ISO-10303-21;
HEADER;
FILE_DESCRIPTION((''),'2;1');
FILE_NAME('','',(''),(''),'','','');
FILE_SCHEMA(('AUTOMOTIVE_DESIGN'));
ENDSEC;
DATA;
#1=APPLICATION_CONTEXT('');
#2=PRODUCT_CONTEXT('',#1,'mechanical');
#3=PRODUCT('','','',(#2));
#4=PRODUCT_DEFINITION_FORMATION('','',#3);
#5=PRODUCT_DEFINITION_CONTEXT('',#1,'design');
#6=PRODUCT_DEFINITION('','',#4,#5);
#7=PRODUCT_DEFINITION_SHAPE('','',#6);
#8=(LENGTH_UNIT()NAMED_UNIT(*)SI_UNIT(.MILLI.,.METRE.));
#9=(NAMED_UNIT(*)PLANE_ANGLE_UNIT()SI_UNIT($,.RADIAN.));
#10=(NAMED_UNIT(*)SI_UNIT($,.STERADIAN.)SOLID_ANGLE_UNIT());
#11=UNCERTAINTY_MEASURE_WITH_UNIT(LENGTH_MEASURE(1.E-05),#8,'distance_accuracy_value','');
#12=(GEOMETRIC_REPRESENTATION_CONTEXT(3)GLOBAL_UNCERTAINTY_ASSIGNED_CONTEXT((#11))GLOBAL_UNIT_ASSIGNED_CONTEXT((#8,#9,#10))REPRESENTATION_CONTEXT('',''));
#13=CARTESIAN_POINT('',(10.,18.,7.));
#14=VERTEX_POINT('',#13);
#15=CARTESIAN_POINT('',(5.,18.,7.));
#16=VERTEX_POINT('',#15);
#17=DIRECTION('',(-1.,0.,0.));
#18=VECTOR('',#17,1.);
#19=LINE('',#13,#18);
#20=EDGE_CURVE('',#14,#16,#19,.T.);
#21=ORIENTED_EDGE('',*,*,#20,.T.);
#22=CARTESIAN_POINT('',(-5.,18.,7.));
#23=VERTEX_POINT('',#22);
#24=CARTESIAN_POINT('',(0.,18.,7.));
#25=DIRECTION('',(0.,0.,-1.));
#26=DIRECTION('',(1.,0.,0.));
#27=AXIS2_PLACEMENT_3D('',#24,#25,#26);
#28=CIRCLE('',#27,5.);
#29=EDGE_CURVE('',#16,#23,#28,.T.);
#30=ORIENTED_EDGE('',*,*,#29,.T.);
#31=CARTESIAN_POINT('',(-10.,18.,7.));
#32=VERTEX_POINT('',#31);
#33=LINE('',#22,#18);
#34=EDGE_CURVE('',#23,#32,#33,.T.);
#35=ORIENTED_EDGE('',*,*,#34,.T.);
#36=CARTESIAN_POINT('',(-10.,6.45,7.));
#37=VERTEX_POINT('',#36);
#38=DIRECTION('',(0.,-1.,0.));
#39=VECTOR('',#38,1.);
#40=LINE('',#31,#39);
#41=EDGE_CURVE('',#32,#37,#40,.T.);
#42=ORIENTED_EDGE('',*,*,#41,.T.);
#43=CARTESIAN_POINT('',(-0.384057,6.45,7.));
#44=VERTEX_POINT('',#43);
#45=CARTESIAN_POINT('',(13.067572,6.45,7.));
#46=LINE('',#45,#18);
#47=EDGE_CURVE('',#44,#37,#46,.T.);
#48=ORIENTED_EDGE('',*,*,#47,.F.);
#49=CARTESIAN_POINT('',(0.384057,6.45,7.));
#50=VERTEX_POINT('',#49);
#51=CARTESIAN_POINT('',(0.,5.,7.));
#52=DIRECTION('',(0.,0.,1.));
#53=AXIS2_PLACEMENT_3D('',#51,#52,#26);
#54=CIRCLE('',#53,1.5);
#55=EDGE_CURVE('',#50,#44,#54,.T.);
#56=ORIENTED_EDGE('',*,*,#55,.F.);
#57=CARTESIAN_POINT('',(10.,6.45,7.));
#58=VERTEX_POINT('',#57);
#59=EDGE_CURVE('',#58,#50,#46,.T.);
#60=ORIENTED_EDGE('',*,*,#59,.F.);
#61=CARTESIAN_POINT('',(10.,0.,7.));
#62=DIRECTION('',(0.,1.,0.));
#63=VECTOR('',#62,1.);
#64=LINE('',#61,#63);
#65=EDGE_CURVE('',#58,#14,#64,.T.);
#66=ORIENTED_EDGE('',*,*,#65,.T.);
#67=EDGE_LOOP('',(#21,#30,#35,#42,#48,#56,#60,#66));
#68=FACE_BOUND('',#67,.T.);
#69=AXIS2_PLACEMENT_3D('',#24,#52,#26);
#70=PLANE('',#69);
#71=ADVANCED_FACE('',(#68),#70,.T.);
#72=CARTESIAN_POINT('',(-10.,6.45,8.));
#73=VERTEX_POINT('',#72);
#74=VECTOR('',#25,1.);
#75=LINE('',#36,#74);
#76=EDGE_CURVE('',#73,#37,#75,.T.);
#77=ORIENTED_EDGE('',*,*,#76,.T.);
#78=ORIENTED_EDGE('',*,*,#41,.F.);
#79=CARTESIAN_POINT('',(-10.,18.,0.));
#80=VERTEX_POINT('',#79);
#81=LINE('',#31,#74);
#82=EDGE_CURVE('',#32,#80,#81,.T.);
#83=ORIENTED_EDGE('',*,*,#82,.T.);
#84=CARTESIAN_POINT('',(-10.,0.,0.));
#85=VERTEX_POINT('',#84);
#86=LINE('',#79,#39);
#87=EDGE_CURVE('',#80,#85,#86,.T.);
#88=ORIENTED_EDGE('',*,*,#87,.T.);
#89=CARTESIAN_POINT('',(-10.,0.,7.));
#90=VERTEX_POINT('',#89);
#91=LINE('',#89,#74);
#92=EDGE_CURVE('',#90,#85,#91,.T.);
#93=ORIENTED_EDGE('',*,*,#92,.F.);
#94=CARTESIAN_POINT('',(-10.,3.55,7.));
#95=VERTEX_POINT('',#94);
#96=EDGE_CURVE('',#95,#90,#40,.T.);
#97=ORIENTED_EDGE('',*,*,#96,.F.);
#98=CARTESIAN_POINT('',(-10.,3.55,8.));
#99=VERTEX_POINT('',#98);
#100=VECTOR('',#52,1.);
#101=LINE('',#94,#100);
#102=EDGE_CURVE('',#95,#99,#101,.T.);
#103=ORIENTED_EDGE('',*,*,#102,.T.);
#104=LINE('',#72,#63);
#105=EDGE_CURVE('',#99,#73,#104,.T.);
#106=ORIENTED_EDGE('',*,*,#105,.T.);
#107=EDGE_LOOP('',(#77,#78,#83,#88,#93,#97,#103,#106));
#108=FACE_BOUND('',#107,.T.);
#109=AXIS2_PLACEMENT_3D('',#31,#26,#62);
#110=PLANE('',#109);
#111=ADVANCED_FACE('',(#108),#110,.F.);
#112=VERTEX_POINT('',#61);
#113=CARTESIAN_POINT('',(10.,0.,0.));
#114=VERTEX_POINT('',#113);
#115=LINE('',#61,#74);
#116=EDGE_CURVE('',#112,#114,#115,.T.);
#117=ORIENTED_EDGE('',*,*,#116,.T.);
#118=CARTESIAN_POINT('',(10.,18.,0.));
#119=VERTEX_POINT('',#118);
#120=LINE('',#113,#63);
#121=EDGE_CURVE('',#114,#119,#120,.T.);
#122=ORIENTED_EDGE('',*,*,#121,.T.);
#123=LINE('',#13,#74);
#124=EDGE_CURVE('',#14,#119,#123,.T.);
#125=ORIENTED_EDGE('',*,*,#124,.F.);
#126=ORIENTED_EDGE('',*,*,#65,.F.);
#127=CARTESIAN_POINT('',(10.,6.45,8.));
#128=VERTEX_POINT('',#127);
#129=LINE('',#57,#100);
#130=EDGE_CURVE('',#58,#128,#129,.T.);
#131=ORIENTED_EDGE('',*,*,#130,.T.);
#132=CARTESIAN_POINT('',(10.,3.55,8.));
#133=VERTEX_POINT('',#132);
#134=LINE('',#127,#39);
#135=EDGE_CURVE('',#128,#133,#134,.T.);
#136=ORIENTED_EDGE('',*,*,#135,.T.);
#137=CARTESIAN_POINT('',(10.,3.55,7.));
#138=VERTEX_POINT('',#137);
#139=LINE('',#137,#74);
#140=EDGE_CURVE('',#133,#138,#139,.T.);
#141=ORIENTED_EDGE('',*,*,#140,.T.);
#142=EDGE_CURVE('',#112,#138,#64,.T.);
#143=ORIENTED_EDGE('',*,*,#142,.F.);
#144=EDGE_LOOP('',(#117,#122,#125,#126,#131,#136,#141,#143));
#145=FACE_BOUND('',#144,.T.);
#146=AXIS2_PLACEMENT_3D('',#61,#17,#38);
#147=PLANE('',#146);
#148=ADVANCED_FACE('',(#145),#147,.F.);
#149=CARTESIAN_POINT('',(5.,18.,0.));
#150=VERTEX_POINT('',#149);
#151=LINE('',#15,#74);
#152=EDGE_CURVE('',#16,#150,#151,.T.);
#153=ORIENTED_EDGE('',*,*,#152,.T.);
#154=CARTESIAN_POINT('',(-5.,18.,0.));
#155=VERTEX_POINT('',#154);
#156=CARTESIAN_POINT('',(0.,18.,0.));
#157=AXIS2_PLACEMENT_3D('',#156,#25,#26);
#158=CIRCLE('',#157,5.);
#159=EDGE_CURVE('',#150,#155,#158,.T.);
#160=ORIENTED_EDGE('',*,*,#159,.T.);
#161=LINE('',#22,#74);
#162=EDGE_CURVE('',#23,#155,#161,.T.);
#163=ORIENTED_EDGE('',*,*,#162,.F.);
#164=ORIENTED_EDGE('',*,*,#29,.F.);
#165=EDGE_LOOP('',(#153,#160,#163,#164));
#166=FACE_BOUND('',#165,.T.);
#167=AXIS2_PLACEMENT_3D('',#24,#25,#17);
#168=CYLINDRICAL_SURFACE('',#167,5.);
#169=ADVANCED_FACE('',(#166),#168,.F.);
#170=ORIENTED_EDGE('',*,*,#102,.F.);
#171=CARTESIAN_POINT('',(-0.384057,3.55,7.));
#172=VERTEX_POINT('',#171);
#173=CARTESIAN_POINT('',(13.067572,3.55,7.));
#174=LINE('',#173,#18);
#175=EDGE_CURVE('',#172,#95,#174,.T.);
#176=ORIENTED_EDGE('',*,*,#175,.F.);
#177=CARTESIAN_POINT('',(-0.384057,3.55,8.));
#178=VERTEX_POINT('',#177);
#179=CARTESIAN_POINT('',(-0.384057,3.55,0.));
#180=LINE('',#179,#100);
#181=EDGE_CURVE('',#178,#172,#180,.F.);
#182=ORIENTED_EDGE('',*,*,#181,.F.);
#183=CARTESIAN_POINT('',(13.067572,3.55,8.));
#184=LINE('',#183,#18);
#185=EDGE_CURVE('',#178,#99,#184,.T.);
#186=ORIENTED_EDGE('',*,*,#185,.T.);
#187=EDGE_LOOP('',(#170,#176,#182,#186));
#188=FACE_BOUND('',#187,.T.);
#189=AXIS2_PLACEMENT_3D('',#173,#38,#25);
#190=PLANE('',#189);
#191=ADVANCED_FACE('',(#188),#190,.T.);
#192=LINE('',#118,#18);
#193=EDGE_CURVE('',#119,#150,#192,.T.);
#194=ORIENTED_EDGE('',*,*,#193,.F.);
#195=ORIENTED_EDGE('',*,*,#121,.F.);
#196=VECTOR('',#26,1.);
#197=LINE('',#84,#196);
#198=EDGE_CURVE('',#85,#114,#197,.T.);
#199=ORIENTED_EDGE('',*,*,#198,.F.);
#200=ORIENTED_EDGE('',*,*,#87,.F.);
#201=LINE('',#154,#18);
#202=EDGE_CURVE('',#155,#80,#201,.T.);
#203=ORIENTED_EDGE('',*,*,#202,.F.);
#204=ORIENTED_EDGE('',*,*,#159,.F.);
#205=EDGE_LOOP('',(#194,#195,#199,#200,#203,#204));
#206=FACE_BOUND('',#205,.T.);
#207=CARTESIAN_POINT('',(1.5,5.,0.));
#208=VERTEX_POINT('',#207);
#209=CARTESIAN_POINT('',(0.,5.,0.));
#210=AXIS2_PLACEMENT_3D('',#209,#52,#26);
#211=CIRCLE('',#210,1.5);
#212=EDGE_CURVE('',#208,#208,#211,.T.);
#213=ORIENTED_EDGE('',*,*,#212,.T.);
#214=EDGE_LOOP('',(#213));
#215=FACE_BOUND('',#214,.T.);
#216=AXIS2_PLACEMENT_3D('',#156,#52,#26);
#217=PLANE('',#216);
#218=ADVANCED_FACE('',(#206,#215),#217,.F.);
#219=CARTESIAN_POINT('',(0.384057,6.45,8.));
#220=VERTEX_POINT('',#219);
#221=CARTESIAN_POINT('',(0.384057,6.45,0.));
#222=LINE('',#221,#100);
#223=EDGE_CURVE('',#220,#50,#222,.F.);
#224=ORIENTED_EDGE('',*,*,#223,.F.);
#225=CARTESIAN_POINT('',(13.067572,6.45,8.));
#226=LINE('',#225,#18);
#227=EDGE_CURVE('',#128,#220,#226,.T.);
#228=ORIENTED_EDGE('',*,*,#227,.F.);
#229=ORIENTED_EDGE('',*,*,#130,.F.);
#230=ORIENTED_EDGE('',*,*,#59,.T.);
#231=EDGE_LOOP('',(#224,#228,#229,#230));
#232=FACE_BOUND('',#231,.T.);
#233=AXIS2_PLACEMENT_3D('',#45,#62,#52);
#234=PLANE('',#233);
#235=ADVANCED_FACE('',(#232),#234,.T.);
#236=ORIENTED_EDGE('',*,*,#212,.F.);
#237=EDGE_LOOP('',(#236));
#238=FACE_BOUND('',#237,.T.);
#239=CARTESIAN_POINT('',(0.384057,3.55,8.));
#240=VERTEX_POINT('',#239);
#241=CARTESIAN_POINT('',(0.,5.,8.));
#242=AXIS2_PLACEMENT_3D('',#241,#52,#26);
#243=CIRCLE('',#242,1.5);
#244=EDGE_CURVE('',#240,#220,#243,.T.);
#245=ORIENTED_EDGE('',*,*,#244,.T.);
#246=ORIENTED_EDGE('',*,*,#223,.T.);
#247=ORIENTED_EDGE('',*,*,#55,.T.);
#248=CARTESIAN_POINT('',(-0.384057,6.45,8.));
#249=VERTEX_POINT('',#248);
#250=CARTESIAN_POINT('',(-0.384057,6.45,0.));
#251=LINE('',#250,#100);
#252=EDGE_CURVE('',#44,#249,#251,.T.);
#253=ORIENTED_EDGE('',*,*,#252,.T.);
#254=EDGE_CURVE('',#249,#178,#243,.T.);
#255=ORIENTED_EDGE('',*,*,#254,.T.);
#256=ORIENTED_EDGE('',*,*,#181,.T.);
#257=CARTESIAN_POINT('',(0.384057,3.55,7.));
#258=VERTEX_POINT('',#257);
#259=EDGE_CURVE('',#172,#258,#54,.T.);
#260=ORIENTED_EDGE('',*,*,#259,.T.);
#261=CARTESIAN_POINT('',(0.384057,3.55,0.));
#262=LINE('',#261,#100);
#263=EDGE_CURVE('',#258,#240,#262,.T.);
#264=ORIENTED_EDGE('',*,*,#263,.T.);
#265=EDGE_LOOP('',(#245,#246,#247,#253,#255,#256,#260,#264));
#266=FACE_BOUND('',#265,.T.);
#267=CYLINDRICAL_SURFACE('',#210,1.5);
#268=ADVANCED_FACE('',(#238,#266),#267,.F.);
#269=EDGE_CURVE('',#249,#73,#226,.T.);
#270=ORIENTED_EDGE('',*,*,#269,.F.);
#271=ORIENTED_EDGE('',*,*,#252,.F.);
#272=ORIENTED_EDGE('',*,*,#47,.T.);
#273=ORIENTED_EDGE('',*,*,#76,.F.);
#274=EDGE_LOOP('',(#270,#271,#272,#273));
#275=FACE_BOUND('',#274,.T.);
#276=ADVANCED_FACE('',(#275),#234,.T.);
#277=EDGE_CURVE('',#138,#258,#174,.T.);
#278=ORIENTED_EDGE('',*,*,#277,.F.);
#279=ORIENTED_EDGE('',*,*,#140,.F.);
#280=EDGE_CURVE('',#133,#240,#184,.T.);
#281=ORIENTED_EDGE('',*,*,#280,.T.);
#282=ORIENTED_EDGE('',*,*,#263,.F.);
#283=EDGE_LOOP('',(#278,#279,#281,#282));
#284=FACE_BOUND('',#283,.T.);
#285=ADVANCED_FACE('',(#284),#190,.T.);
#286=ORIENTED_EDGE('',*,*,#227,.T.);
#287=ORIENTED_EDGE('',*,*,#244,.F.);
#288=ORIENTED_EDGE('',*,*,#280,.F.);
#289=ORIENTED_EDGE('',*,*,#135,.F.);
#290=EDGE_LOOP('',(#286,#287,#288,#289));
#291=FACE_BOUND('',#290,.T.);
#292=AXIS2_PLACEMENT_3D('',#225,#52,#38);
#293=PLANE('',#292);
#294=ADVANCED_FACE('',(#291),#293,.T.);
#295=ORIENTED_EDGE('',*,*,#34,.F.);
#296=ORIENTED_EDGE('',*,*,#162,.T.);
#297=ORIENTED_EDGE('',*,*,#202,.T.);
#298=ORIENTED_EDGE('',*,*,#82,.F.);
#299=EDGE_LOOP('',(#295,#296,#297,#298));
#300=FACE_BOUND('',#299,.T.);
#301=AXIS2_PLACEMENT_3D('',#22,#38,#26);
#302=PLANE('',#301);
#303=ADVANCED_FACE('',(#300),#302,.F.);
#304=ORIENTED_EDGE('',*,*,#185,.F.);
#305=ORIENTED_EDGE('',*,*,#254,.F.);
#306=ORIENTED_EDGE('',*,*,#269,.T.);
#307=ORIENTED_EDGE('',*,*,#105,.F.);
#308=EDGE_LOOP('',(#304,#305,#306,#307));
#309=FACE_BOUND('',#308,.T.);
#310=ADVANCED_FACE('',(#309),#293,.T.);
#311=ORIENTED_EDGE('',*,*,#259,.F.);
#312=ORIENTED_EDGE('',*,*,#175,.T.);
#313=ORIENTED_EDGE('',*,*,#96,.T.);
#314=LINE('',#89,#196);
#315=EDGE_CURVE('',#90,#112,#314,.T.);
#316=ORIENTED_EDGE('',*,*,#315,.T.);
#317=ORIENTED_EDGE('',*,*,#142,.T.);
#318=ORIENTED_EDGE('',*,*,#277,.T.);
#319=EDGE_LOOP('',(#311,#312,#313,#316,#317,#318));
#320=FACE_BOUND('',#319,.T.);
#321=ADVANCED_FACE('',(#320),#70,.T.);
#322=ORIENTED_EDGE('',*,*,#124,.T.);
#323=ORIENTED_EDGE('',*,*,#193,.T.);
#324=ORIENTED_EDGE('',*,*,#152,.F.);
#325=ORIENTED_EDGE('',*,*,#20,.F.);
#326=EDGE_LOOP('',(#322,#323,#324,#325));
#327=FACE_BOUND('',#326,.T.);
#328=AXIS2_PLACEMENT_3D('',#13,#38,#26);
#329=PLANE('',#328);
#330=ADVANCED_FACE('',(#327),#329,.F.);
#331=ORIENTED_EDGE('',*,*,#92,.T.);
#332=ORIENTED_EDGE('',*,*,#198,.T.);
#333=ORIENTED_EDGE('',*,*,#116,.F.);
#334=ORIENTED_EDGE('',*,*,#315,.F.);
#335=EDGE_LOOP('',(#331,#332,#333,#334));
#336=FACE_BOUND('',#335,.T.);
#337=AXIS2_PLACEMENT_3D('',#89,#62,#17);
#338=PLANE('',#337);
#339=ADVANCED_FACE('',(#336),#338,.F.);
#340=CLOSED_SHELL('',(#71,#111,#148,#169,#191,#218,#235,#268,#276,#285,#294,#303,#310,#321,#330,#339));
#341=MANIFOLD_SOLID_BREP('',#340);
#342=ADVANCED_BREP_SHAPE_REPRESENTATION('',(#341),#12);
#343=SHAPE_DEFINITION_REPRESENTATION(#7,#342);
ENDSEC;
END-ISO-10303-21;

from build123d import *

# Parameters (mm, degrees)
BOSS_EXTRUDE1_DEPTH = 7
SKETCH2_W           = 1
SKETCH2_H           = 2.9
BOSS_EXTRUDE2_DEPTH = 20
SKETCH3_R           = 1.5
CUT_EXTRUDE1_DEPTH  = 9


with BuildPart() as part:
    # Sketch1 → Boss-Extrude1 (new body)
    with BuildSketch(Plane.XY):
        with BuildLine():
            Line((-10, 0), (10, 0))
            Line((10, 0), (10, 18))
            Line((10, 18), (5, 18))
            ThreePointArc((5, 18), (0, 13), (-5, 18))
            Line((-5, 18), (-10, 18))
            Line((-10, 18), (-10, 0))
        make_face()
    extrude(amount=BOSS_EXTRUDE1_DEPTH)

    # Sketch2 → Boss-Extrude2 (add)
    with BuildSketch(Plane.ZY.offset(10)):
        with Locations((7.5, 5)):
            Rectangle(SKETCH2_W, SKETCH2_H)
    extrude(amount=-BOSS_EXTRUDE2_DEPTH)

    # Sketch3 → Cut-Extrude1 (cut, through all)
    with BuildSketch(Plane.XY.offset(8)):
        with Locations((0, 5)):
            Circle(SKETCH3_R)
    extrude(amount=-CUT_EXTRUDE1_DEPTH, mode=Mode.SUBTRACT)


solid = part.part
